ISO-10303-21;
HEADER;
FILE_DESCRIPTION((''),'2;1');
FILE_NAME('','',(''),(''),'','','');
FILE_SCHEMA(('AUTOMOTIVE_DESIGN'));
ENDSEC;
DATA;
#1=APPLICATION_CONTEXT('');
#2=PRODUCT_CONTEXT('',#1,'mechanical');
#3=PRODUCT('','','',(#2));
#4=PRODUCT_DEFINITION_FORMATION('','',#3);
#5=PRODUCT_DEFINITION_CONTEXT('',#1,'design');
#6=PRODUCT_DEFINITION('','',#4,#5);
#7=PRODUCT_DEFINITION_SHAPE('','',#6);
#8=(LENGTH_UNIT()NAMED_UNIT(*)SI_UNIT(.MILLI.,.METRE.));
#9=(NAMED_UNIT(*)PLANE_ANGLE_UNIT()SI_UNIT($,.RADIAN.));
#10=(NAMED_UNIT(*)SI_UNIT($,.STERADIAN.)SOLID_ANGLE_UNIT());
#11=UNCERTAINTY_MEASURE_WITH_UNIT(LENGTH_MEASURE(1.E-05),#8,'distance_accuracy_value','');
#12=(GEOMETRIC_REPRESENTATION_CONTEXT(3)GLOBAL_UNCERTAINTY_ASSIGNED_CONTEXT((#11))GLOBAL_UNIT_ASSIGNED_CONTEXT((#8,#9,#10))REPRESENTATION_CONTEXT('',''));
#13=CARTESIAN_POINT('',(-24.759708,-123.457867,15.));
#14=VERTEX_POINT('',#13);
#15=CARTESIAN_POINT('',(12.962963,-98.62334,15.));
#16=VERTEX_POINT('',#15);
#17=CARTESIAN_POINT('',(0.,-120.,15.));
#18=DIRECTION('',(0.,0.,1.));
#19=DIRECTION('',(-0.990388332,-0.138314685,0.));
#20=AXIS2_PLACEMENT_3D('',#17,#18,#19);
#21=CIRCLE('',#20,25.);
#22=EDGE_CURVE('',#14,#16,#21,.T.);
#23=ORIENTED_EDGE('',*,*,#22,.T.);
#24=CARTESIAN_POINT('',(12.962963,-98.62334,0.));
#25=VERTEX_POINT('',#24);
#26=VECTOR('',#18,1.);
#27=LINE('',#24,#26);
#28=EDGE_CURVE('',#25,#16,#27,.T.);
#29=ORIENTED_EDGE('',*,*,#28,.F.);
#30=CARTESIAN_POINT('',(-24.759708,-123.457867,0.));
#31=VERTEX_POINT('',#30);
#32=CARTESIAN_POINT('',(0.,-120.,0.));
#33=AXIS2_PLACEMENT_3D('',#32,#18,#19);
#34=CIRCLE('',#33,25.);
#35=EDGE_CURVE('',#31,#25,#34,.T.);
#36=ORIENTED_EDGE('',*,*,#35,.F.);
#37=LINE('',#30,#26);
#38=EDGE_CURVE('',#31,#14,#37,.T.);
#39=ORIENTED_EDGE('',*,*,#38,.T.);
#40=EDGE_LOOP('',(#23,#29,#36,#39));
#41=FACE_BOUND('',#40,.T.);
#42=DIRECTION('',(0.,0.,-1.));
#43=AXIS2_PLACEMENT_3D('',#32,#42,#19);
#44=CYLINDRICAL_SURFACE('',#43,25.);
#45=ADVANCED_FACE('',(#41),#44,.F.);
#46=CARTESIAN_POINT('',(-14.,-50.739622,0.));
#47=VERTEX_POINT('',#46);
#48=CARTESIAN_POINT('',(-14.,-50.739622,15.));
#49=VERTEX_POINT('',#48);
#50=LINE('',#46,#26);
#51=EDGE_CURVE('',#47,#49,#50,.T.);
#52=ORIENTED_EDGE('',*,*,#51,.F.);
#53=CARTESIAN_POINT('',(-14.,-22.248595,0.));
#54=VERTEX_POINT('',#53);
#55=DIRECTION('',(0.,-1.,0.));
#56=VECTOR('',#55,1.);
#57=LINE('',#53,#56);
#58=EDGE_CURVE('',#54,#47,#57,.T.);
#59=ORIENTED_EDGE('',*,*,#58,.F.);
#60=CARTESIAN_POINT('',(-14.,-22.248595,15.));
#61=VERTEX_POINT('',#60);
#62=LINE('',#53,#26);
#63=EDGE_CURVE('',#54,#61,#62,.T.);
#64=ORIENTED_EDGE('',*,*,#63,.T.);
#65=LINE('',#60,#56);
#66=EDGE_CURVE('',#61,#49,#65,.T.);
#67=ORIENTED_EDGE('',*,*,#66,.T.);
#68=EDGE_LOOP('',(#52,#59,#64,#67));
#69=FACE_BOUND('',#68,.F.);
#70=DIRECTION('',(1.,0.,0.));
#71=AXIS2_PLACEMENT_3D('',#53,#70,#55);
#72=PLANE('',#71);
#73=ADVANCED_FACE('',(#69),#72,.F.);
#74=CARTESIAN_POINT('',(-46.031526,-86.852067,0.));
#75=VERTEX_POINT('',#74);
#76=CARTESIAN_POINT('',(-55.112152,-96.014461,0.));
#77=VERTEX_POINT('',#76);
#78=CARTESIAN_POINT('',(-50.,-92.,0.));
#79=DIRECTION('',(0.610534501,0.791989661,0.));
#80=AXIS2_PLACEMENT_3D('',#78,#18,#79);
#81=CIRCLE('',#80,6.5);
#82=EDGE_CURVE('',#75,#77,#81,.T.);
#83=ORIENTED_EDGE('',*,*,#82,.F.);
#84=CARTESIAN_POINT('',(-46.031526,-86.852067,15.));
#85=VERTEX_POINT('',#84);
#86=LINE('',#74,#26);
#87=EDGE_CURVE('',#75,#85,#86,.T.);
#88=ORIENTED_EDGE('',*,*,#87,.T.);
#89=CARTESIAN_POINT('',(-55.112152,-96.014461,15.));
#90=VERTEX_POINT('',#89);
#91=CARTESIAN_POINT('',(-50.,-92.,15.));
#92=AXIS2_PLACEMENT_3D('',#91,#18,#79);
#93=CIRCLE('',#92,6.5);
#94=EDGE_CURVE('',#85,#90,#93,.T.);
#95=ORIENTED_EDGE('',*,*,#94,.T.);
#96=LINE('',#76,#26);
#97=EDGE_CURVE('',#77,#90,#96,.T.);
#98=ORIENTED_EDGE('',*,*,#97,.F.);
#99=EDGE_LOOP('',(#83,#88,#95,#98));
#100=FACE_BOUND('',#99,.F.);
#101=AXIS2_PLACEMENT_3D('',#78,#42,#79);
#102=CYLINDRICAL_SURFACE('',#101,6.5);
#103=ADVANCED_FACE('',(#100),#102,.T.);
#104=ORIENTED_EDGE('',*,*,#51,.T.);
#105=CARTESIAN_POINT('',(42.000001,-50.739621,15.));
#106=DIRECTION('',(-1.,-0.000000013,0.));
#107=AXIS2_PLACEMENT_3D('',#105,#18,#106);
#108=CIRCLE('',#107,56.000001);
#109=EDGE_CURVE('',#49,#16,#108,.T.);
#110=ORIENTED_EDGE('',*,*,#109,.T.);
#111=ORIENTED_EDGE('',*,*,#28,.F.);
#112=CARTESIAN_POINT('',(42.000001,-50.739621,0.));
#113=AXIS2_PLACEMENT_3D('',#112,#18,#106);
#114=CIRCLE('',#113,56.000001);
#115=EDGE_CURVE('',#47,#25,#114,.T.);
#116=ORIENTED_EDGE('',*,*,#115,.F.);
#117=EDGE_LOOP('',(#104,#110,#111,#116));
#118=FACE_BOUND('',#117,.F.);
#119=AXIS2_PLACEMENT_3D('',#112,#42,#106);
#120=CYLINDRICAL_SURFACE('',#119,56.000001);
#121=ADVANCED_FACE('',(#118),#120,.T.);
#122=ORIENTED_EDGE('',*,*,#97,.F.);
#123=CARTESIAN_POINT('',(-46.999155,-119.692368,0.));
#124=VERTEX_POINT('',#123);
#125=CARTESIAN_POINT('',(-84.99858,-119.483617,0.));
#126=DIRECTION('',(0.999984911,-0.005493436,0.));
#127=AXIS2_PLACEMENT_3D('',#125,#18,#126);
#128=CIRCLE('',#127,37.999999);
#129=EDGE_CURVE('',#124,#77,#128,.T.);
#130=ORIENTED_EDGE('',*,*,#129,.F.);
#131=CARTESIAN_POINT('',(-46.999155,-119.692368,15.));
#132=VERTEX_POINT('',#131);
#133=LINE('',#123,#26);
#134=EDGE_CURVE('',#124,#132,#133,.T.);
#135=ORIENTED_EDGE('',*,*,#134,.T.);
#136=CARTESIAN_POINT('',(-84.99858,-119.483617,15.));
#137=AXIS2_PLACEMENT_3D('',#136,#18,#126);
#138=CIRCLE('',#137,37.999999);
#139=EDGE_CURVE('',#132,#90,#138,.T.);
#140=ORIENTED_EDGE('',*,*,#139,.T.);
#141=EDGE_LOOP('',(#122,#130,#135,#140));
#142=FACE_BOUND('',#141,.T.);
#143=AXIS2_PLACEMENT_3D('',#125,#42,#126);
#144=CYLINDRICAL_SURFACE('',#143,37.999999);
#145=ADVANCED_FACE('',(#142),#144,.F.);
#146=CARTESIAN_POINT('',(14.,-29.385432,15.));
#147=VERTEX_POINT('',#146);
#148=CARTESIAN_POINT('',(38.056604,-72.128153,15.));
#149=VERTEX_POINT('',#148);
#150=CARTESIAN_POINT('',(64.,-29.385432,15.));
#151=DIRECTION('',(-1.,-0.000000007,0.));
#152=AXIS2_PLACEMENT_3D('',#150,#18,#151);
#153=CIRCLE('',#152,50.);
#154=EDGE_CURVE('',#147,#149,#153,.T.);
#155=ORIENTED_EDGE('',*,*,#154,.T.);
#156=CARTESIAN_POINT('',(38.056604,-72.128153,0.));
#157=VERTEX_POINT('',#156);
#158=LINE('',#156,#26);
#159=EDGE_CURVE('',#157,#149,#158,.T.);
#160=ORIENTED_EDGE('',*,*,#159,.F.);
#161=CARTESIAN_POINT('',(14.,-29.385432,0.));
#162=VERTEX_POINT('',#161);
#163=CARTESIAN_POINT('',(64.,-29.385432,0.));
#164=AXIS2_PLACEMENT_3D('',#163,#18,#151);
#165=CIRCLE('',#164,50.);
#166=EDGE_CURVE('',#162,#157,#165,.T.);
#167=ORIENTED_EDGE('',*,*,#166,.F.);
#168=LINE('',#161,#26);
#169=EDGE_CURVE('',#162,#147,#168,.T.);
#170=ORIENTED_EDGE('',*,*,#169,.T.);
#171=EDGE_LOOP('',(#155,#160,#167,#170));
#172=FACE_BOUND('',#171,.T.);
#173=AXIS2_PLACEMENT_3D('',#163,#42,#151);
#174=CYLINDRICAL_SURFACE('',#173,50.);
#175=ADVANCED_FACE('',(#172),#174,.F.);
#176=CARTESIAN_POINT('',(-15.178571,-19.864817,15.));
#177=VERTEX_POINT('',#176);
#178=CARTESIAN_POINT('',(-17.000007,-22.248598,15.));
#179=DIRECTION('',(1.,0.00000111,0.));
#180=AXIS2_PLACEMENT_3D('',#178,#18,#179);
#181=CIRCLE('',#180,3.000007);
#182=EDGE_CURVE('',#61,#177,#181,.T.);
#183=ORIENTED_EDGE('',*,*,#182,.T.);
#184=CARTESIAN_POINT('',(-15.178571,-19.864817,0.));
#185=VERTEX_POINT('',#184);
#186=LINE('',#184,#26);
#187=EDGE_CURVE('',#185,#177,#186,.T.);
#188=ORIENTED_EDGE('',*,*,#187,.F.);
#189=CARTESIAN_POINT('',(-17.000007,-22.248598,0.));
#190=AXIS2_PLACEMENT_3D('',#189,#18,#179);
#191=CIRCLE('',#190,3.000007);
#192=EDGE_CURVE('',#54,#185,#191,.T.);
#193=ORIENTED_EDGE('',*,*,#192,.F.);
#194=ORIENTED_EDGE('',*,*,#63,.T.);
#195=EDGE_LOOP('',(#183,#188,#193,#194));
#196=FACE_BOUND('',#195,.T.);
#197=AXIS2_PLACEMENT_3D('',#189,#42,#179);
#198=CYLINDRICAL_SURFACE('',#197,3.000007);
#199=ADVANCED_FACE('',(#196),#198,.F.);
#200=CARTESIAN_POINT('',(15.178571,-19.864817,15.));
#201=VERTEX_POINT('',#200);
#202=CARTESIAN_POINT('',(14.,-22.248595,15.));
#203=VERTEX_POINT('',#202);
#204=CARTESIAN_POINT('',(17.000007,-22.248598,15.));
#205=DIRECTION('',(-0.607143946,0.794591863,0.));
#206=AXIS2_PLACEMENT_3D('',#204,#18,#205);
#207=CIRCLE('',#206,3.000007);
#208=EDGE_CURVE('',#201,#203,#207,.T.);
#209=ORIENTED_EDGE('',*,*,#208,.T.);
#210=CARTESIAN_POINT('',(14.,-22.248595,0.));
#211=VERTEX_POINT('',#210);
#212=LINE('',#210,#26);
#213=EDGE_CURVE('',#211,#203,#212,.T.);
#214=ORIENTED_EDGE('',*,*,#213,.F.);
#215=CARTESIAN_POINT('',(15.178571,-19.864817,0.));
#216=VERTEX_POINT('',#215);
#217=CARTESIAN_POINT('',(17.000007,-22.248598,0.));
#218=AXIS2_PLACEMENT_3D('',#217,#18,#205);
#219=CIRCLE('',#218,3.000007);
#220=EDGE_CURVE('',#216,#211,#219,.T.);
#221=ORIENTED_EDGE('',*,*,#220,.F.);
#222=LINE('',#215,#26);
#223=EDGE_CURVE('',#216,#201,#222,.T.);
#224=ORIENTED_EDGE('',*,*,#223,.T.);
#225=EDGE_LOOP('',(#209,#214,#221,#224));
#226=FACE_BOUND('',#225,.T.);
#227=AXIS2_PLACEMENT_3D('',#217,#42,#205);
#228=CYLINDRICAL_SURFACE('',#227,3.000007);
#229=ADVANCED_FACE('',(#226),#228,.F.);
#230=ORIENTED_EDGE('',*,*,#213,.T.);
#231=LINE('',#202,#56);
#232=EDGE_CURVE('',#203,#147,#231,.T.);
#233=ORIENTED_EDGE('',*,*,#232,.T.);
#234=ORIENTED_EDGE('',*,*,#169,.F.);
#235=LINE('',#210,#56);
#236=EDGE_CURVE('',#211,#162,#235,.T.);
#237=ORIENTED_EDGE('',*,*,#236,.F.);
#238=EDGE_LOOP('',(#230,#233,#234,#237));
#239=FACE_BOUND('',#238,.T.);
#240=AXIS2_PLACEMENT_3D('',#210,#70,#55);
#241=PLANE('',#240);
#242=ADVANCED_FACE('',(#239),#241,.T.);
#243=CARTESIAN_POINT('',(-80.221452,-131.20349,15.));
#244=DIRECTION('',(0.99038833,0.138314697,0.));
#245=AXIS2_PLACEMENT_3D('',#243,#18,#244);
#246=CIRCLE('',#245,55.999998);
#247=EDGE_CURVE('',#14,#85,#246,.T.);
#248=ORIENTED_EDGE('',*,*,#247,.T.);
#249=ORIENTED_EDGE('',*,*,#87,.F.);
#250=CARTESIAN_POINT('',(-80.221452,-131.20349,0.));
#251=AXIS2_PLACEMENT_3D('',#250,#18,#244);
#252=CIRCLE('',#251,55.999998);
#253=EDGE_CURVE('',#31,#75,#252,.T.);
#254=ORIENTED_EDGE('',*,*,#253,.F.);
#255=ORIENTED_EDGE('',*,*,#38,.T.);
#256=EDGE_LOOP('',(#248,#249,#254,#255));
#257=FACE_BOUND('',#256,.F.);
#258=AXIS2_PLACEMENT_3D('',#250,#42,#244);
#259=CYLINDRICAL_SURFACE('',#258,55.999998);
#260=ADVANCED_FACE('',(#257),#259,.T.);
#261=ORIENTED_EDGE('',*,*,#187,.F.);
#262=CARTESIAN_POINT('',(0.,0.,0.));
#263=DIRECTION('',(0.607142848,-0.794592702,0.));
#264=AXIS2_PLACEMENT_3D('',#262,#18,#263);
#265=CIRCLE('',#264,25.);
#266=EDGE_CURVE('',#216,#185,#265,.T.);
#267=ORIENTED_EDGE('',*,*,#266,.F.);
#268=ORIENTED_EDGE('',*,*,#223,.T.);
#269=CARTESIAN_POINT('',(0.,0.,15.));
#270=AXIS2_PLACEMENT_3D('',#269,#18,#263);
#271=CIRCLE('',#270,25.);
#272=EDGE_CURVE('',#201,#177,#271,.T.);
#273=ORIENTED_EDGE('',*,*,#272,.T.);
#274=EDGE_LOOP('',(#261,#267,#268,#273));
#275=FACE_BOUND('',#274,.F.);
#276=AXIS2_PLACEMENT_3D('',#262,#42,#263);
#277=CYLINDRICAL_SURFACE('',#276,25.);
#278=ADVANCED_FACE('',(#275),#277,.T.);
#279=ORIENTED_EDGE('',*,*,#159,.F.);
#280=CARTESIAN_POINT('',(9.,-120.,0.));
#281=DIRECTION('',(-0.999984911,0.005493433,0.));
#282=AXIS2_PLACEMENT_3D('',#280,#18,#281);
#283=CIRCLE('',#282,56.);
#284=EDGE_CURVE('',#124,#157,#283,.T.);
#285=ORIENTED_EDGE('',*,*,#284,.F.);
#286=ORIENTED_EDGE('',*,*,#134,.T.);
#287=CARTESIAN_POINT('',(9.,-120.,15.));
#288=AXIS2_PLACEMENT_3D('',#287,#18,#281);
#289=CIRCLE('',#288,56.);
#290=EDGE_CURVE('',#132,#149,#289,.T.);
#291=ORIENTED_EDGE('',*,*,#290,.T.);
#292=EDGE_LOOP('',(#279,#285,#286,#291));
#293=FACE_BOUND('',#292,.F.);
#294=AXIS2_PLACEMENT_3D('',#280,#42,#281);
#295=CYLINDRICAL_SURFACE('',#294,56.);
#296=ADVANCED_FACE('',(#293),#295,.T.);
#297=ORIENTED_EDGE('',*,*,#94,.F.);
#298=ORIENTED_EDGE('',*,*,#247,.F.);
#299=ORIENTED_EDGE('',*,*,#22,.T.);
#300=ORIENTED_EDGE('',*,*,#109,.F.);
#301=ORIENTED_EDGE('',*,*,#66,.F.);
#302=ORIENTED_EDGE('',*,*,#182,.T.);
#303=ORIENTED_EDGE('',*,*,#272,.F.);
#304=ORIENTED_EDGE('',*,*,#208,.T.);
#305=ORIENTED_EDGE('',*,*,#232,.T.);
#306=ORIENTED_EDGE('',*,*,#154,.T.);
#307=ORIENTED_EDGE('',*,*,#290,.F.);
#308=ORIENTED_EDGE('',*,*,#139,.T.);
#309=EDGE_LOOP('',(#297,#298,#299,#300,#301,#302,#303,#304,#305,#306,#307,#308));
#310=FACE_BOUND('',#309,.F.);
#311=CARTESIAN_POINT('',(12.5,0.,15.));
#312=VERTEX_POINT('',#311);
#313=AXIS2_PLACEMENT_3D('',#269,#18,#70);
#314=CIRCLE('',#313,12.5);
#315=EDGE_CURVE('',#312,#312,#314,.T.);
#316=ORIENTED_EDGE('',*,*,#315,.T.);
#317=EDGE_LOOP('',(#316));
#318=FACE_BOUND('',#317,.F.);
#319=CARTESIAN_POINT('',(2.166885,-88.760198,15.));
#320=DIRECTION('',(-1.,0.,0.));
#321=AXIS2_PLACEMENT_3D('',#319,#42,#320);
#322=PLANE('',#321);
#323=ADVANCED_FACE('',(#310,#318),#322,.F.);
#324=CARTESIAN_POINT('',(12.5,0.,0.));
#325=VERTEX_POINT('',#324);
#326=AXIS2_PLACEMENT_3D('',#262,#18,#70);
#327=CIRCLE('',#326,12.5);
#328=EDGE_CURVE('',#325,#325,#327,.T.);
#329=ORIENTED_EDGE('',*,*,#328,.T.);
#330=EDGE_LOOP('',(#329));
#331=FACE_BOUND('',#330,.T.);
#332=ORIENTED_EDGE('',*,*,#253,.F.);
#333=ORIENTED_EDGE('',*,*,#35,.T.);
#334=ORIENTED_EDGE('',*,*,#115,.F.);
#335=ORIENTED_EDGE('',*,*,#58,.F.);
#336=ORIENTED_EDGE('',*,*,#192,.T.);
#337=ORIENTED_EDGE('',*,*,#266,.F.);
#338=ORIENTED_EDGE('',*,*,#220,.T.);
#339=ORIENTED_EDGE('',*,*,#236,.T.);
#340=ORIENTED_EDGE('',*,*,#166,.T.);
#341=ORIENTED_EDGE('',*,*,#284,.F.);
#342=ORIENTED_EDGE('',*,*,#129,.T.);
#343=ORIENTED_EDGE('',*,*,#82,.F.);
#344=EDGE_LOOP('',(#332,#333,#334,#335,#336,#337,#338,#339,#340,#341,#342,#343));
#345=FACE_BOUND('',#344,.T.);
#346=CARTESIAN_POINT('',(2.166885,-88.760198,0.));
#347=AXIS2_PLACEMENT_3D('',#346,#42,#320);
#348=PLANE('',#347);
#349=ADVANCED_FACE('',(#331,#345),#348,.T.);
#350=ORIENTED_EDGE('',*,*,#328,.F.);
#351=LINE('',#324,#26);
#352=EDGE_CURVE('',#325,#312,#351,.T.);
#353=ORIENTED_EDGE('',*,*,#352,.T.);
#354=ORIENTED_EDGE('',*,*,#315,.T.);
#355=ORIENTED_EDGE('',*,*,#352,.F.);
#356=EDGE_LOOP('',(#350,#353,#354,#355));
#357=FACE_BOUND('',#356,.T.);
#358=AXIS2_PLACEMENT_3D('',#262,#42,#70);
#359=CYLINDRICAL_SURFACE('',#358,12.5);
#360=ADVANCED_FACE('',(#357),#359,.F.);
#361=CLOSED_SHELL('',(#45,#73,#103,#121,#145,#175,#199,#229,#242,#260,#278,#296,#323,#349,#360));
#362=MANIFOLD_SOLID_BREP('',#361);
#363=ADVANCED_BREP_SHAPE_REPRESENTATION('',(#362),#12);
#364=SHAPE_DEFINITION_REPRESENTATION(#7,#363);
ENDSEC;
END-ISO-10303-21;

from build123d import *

# Parameters (mm, degrees)
SKETCH_R  = 12.5
PAD_DEPTH = 15


with BuildPart() as part:
    # Sketch → Pad (new body)
    with BuildSketch(Plane.XY):
        with BuildLine():
            ThreePointArc((-24.759708, -123.457867), (13.746972, -140.88111), (12.962963, -98.62334))
            ThreePointArc((-14, -50.739622), (-6.795871, -78.216211), (12.962963, -98.62334))
            Line((-14, -22.248595), (-14, -50.739622))
            ThreePointArc((-14, -22.248595), (-14.310736, -20.918988), (-15.178571, -19.864817))
            ThreePointArc((15.178571, -19.864817), (0, 25), (-15.178571, -19.864817))
            ThreePointArc((15.178571, -19.864817), (14.310736, -20.918988), (14, -22.248595))
            Line((14, -22.248595), (14, -29.385432))
            ThreePointArc((14, -29.385432), (20.427246, -53.909198), (38.056604, -72.128153))
            ThreePointArc((-46.999155, -119.692368), (36.33247, -168.876744), (38.056604, -72.128153))
            ThreePointArc((-46.999155, -119.692368), (-49.050241, -107.16628), (-55.112152, -96.014461))
            ThreePointArc((-46.031526, -86.852067), (-54.616749, -87.424453), (-55.112152, -96.014461))
            ThreePointArc((-24.759708, -123.457867), (-31.802947, -103.067248), (-46.031526, -86.852067))
        make_face()
        Circle(SKETCH_R, mode=Mode.SUBTRACT)
    extrude(amount=PAD_DEPTH)


solid = part.part
